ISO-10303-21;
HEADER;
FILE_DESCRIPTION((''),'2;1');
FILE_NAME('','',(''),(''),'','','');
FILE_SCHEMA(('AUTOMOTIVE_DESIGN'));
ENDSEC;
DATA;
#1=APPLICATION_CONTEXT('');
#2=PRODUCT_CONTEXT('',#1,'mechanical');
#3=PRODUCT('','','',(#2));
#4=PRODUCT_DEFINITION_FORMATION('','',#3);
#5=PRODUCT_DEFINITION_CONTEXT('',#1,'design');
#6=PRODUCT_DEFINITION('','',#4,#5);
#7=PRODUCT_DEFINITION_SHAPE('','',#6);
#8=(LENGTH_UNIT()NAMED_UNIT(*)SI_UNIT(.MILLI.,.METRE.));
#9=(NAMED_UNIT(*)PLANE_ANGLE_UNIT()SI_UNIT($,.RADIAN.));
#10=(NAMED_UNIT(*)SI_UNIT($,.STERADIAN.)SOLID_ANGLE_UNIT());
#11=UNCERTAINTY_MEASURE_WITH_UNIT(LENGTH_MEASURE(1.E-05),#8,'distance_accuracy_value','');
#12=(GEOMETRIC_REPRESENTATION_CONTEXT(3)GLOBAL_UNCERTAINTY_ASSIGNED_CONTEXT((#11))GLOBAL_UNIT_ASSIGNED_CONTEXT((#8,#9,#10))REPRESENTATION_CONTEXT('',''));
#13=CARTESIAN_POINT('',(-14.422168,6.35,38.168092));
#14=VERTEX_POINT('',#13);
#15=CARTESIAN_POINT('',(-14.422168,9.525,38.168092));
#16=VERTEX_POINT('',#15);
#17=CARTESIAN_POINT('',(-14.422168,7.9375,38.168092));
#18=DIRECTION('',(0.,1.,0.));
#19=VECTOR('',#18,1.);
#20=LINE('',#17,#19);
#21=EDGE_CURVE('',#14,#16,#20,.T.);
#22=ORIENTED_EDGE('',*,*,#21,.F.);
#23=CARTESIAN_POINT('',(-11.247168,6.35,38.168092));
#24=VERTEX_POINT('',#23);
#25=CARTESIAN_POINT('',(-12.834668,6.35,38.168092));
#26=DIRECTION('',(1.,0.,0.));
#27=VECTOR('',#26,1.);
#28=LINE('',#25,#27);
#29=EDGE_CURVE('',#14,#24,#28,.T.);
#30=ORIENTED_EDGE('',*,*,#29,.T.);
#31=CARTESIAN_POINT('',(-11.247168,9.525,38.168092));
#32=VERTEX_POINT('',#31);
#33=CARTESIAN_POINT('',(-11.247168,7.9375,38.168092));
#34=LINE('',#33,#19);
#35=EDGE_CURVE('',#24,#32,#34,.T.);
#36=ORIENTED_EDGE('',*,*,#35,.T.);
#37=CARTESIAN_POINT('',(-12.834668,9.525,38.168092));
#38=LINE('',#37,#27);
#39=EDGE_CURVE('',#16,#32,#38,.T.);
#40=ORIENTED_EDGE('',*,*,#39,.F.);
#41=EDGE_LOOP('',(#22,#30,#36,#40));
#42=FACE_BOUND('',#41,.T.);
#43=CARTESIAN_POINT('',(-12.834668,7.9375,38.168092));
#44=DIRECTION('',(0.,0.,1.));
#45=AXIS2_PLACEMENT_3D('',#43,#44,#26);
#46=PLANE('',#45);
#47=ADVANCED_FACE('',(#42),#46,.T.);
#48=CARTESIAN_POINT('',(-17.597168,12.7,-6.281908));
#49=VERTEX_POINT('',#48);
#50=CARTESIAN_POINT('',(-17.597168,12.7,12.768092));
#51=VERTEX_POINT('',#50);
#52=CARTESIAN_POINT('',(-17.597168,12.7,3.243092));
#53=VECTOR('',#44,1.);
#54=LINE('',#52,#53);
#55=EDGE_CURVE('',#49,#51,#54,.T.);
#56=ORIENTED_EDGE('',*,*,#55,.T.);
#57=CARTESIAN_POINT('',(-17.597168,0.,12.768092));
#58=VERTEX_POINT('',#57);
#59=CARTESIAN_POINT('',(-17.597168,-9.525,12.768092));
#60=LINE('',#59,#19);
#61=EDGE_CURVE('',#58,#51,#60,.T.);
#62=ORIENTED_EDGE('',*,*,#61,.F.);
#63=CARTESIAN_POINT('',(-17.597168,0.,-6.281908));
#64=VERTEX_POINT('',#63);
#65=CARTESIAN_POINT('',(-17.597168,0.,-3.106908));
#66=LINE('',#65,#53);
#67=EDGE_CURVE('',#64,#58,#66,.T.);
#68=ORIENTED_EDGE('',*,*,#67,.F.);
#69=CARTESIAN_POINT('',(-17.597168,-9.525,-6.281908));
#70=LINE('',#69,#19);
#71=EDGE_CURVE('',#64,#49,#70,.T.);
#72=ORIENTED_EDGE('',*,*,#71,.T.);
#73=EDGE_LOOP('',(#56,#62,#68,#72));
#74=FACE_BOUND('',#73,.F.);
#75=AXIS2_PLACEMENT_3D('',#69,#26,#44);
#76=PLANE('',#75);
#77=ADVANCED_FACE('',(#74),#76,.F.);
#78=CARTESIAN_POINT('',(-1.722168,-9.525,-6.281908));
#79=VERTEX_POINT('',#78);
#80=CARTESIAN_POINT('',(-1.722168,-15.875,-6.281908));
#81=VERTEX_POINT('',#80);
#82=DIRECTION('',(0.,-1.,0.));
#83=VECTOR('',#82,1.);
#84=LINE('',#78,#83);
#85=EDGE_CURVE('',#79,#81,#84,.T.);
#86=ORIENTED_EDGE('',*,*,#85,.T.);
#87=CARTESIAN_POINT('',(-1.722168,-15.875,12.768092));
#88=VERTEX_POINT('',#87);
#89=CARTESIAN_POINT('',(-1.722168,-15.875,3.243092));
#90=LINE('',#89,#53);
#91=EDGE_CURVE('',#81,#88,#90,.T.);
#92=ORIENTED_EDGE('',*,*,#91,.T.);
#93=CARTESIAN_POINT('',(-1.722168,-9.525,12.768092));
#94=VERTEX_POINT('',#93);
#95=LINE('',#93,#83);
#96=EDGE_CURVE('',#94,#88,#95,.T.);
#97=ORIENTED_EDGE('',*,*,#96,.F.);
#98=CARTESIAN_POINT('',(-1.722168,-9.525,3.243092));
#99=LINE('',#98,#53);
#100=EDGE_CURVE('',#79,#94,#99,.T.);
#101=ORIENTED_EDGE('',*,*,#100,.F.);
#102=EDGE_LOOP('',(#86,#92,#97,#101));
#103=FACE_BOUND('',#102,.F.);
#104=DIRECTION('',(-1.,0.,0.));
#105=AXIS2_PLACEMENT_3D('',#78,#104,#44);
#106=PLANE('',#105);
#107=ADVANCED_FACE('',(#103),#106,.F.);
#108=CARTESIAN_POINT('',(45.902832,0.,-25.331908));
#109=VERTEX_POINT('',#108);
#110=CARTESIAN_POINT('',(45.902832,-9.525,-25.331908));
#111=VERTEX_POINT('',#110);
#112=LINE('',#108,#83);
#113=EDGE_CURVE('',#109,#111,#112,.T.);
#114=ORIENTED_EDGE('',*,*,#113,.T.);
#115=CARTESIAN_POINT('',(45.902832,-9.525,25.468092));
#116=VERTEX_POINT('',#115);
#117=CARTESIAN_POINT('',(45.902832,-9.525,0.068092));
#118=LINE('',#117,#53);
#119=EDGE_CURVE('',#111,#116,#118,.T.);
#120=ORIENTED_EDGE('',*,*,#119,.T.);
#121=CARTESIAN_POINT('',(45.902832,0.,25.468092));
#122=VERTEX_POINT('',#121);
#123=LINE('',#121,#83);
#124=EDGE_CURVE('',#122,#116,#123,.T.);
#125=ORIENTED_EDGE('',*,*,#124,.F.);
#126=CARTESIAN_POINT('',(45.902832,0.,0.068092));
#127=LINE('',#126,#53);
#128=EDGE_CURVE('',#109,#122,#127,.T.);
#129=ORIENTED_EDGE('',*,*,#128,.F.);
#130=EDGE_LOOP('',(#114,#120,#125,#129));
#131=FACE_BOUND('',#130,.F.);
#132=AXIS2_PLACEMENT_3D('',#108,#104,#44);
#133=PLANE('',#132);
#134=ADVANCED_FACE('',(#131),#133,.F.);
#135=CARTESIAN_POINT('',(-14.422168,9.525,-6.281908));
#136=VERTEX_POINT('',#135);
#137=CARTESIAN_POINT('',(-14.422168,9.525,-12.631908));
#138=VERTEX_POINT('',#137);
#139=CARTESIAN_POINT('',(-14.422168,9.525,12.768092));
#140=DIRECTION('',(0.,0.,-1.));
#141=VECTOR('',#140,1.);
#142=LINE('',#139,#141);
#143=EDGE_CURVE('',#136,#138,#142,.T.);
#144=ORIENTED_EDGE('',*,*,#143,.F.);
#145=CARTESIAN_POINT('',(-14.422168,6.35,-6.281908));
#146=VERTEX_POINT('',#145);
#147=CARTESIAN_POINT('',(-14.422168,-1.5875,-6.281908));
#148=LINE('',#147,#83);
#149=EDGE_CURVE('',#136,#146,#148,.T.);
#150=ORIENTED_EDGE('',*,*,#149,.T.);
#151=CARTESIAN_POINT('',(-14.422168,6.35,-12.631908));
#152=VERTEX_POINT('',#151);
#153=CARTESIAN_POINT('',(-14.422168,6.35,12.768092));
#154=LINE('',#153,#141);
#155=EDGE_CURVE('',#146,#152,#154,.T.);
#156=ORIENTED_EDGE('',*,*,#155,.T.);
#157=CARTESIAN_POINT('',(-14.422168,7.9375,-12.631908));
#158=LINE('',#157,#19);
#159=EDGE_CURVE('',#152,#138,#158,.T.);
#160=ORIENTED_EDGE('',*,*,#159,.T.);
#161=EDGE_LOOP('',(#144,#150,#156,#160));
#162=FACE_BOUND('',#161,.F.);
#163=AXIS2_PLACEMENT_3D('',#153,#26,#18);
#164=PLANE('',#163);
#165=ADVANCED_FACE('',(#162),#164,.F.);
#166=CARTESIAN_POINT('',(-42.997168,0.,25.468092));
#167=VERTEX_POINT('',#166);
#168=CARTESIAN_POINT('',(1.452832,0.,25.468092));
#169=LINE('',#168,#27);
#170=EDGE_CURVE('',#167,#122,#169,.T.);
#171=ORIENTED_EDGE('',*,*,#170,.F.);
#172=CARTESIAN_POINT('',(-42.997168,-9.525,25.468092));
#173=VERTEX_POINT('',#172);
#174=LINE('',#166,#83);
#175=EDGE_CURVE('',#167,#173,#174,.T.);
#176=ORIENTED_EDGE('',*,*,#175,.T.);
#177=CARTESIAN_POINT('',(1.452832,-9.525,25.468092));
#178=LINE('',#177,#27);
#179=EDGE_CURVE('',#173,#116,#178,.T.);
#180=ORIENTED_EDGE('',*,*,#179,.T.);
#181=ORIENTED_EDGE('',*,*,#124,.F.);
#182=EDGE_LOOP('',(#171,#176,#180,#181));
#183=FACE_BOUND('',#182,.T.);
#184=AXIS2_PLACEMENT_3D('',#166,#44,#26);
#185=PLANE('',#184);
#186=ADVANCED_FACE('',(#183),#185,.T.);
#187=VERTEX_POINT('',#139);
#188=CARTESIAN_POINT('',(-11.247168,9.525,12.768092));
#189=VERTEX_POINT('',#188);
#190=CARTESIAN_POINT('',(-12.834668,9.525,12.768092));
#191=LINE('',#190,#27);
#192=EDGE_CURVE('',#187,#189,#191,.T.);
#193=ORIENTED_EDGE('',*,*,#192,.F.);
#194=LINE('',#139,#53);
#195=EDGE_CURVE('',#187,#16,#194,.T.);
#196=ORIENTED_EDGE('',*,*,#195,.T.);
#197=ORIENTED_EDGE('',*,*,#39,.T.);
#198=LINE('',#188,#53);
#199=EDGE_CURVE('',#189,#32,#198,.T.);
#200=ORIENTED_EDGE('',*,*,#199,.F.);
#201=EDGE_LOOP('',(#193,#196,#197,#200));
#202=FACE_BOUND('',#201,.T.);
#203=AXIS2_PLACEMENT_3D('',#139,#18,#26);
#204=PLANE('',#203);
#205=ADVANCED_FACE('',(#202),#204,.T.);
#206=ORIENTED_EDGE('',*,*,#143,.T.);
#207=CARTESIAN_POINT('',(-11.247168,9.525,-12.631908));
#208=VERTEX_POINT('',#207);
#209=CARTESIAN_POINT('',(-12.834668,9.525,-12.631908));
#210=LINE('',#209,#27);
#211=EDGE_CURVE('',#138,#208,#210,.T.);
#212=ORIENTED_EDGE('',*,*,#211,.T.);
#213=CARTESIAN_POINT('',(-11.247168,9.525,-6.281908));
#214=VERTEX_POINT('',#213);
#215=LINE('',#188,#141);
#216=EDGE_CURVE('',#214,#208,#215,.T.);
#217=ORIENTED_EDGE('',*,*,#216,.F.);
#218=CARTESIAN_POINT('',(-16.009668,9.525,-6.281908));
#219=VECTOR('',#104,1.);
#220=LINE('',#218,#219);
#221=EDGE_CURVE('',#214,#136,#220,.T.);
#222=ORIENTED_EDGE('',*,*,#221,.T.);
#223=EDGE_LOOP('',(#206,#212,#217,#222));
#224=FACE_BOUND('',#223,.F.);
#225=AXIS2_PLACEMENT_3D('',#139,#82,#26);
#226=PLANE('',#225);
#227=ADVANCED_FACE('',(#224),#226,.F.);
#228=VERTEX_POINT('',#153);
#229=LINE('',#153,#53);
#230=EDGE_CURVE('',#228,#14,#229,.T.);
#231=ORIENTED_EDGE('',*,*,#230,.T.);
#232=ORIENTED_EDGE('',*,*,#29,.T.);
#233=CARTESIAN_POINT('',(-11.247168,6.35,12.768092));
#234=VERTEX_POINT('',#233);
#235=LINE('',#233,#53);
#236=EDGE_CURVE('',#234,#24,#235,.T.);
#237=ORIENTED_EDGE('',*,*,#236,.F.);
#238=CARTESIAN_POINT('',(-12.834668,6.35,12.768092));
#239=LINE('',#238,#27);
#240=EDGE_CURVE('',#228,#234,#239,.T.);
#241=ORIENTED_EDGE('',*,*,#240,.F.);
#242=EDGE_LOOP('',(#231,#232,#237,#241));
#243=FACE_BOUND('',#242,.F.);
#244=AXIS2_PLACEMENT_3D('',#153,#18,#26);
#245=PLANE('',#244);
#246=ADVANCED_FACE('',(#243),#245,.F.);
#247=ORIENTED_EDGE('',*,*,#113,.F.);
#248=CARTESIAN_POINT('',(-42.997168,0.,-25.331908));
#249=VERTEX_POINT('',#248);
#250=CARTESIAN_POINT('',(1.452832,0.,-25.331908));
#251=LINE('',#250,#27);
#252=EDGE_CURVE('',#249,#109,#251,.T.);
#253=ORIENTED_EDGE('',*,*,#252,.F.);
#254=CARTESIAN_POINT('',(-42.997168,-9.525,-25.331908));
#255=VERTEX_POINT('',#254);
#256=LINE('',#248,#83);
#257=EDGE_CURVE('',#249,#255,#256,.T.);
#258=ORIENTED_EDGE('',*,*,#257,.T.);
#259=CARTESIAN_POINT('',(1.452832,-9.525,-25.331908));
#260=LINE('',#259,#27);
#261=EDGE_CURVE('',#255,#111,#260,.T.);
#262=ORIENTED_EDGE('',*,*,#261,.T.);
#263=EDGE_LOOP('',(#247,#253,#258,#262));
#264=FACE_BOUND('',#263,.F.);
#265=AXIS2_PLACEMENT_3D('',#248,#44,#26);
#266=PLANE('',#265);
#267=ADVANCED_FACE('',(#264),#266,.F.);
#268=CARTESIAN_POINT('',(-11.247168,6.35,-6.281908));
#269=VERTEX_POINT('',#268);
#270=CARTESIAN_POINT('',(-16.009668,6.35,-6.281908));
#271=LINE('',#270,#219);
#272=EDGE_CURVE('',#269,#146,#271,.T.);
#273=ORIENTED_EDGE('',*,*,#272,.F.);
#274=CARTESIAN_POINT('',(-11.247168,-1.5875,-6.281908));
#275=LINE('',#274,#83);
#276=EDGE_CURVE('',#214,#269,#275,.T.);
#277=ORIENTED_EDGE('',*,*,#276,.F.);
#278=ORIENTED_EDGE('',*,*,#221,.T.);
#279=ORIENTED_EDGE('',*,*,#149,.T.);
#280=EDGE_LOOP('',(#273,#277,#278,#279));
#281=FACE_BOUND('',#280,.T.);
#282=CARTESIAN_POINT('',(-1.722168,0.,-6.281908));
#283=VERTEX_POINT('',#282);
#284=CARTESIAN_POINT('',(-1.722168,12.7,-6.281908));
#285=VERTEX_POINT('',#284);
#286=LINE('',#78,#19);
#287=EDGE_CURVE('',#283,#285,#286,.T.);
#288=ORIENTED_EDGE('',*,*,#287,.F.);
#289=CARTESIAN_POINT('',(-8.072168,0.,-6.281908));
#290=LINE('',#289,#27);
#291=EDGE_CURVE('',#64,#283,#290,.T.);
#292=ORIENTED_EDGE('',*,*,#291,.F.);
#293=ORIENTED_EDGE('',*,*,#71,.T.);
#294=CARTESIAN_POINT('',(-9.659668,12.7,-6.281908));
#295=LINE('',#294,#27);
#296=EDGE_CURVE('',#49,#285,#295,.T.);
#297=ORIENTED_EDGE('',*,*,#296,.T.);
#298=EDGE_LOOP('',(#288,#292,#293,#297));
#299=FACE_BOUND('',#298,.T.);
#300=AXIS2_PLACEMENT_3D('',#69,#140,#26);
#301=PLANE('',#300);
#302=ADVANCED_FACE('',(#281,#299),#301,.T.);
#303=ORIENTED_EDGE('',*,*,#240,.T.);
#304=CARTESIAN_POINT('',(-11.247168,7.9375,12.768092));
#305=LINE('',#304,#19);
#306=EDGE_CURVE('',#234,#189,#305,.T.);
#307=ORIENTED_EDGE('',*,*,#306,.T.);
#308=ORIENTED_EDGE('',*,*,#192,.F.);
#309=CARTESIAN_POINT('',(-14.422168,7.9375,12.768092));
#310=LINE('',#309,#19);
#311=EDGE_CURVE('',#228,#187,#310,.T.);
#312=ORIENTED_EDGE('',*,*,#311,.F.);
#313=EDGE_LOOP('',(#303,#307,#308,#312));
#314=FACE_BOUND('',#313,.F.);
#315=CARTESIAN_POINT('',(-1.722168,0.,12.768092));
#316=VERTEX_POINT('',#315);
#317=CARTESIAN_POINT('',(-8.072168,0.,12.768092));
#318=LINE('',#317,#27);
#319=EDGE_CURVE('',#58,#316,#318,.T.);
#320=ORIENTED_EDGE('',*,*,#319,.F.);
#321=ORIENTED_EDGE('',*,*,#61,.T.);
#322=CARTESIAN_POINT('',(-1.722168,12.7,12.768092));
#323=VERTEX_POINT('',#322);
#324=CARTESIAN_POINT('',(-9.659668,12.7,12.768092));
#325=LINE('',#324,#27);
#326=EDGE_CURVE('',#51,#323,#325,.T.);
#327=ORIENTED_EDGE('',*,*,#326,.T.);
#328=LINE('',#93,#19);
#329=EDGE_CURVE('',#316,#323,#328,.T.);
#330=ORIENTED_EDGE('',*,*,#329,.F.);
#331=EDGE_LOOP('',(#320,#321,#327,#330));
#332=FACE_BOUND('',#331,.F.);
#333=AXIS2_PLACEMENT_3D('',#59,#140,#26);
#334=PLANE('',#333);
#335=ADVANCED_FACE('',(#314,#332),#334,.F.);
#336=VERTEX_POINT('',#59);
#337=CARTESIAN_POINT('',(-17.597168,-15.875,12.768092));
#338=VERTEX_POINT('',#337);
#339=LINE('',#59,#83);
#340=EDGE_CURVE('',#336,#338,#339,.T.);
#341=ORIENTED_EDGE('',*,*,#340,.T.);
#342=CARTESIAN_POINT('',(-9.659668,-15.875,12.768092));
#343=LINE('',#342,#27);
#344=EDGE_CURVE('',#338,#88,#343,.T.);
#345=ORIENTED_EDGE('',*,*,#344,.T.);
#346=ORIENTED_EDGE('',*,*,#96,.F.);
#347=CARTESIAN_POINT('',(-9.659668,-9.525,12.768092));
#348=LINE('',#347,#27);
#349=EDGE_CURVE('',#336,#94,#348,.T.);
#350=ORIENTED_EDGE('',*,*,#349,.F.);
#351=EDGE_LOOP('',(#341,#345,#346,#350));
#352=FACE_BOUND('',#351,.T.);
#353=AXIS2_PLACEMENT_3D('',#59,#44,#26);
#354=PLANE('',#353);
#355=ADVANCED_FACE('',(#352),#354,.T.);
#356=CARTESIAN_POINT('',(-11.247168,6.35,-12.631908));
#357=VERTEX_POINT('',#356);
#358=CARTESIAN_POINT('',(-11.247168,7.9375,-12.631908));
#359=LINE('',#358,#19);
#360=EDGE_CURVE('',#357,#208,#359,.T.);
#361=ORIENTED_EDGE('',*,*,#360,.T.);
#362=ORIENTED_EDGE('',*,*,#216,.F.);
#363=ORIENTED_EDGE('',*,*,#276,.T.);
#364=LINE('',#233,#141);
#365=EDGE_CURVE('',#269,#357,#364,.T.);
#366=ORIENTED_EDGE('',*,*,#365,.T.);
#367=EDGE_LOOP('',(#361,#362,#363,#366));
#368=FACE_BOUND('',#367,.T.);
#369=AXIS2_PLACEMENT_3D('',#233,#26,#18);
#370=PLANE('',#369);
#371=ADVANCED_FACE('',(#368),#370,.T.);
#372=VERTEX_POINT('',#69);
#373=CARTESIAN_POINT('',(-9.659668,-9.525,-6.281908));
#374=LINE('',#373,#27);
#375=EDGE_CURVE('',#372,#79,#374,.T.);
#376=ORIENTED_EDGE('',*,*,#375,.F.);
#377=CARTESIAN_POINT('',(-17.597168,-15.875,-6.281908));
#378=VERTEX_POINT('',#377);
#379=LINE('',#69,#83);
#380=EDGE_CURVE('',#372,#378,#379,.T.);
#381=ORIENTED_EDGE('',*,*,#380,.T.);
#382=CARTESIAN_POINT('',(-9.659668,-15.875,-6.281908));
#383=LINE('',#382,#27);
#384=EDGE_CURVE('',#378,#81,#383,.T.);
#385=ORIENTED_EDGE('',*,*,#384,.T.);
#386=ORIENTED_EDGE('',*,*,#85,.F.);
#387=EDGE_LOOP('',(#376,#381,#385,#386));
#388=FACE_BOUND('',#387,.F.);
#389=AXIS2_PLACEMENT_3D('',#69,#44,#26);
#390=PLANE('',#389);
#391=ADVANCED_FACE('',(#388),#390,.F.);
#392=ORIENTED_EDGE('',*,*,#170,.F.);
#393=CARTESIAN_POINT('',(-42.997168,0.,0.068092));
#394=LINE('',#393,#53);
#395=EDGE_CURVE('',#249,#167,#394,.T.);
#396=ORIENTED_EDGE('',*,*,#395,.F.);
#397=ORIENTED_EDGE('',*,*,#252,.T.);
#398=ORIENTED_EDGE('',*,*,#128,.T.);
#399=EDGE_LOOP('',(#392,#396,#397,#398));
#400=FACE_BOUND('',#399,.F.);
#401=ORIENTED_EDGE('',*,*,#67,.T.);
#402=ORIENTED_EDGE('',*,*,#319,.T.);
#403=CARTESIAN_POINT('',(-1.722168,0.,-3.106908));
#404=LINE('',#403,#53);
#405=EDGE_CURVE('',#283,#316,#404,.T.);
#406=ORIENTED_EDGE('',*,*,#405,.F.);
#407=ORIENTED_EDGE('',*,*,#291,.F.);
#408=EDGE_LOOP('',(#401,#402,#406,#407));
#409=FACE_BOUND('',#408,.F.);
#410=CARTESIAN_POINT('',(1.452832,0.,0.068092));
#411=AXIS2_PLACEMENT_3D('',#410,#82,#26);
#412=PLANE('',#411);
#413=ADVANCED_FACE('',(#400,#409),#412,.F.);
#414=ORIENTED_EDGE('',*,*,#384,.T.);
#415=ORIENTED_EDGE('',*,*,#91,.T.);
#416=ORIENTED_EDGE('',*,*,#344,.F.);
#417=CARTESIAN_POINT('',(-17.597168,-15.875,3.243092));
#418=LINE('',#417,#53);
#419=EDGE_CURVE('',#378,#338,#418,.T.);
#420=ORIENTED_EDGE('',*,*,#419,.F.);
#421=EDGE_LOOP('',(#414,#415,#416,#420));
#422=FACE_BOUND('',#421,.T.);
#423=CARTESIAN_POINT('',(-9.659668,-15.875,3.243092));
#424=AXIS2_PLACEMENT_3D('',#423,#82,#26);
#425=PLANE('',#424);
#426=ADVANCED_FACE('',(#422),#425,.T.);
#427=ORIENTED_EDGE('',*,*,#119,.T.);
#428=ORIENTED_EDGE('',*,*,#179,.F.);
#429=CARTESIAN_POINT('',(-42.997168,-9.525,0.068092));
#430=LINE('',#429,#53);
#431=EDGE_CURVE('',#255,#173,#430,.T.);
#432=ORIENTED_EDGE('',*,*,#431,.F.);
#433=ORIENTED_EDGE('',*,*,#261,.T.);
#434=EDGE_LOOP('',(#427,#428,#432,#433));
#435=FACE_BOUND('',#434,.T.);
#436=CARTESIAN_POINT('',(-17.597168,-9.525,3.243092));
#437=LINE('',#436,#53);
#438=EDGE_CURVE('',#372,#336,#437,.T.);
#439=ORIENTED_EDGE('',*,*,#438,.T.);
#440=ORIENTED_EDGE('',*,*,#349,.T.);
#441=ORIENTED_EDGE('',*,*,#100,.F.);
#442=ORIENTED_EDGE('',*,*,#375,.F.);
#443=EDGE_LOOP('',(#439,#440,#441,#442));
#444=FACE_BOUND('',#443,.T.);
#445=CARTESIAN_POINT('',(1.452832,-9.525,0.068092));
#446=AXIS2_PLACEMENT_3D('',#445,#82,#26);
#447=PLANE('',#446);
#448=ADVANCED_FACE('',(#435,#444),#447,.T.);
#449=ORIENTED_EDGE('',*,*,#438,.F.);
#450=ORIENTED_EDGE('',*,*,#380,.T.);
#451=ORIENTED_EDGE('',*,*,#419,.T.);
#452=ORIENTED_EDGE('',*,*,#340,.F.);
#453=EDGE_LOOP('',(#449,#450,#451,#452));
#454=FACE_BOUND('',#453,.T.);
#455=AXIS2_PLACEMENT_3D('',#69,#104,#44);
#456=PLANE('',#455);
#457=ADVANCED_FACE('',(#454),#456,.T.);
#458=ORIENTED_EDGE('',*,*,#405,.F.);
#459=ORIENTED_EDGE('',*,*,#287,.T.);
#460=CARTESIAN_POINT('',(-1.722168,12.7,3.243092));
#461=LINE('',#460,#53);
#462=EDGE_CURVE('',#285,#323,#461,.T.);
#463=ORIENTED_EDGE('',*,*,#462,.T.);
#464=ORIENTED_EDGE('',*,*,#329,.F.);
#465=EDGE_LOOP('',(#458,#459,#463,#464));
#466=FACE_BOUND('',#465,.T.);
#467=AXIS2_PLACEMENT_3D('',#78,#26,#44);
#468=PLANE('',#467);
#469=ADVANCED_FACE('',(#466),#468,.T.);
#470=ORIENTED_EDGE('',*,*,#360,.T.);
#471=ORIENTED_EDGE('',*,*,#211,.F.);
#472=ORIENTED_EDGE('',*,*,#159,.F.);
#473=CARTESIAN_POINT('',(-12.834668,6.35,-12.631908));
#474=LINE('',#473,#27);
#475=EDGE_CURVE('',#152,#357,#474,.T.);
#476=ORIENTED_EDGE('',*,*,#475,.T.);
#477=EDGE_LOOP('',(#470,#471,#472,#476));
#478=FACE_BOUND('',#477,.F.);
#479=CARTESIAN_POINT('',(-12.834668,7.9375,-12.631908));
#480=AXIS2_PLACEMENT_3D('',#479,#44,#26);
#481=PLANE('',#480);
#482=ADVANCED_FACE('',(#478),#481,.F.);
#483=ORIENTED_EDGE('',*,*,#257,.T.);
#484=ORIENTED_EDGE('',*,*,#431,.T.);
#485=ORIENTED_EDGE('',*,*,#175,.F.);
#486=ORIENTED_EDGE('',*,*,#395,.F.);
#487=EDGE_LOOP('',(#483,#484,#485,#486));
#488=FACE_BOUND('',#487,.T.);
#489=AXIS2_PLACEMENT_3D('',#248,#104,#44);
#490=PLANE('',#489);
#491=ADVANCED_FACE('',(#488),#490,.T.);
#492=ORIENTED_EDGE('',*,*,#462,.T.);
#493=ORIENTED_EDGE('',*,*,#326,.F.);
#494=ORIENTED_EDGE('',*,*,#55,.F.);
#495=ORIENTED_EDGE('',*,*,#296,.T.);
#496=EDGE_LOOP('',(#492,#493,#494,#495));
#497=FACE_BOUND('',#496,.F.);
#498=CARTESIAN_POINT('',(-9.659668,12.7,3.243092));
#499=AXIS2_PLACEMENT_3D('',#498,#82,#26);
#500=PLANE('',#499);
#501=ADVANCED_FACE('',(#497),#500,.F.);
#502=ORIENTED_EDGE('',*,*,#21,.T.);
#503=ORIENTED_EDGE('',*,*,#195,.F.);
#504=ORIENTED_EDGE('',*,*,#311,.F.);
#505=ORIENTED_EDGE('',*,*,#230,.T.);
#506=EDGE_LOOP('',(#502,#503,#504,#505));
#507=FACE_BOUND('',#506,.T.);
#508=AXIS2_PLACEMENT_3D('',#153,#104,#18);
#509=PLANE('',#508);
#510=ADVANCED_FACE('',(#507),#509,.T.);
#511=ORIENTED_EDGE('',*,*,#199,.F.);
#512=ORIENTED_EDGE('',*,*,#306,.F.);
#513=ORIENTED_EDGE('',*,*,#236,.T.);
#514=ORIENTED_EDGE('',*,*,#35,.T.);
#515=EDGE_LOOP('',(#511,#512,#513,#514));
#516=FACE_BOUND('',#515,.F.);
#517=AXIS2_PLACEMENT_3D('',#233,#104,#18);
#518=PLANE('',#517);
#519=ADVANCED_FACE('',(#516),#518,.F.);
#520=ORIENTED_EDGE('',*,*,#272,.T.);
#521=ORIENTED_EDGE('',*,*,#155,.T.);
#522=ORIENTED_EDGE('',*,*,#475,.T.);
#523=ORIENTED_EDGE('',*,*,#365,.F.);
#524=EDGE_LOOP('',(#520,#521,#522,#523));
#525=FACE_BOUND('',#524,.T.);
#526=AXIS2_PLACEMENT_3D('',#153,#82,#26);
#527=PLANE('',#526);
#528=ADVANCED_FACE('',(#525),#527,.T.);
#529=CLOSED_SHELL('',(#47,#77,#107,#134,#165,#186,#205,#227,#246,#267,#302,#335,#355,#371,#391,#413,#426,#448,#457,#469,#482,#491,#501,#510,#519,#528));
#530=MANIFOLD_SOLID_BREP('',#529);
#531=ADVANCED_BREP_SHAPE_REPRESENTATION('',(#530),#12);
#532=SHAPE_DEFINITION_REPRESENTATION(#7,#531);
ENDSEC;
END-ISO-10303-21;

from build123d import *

# Parameters (mm, degrees)
F0_W          = 88.9
F0_H          = 50.8
F1_DEPTH      = 9.525
F2_W          = 15.875
F2_H          = 19.05
F3_DEPTH      = 6.35
F3_DEPTH_BACK = 22.225
F4_W          = 3.175
F4_H          = 3.175
F5_DEPTH      = 25.4
F5_DEPTH_BACK = 25.4


with BuildPart() as f1:
    # F0 (on Front) → F1 (new body)
    with BuildSketch(Plane.XZ):
        with Locations((1.452832, 0.068092)):
            Rectangle(F0_W, F0_H)
    extrude(amount=F1_DEPTH)

    # F2 (on face) → F3 (join, two sides)
    with BuildSketch(Plane.XZ.offset(9.525)) as f3_sk:
        with Locations((-9.659668, 3.243092)):
            Rectangle(F2_W, F2_H)
    extrude(amount=F3_DEPTH)
    extrude(f3_sk.sketch, amount=-F3_DEPTH_BACK)

    # F4 (on face) → F5 (join, two sides)
    with BuildSketch(Plane.XY.offset(12.768092)) as f5_sk:
        with Locations((-12.834668, 7.9375)):
            Rectangle(F4_W, F4_H)
    extrude(amount=F5_DEPTH)
    extrude(f5_sk.sketch, amount=-F5_DEPTH_BACK)


solid = f1.part
